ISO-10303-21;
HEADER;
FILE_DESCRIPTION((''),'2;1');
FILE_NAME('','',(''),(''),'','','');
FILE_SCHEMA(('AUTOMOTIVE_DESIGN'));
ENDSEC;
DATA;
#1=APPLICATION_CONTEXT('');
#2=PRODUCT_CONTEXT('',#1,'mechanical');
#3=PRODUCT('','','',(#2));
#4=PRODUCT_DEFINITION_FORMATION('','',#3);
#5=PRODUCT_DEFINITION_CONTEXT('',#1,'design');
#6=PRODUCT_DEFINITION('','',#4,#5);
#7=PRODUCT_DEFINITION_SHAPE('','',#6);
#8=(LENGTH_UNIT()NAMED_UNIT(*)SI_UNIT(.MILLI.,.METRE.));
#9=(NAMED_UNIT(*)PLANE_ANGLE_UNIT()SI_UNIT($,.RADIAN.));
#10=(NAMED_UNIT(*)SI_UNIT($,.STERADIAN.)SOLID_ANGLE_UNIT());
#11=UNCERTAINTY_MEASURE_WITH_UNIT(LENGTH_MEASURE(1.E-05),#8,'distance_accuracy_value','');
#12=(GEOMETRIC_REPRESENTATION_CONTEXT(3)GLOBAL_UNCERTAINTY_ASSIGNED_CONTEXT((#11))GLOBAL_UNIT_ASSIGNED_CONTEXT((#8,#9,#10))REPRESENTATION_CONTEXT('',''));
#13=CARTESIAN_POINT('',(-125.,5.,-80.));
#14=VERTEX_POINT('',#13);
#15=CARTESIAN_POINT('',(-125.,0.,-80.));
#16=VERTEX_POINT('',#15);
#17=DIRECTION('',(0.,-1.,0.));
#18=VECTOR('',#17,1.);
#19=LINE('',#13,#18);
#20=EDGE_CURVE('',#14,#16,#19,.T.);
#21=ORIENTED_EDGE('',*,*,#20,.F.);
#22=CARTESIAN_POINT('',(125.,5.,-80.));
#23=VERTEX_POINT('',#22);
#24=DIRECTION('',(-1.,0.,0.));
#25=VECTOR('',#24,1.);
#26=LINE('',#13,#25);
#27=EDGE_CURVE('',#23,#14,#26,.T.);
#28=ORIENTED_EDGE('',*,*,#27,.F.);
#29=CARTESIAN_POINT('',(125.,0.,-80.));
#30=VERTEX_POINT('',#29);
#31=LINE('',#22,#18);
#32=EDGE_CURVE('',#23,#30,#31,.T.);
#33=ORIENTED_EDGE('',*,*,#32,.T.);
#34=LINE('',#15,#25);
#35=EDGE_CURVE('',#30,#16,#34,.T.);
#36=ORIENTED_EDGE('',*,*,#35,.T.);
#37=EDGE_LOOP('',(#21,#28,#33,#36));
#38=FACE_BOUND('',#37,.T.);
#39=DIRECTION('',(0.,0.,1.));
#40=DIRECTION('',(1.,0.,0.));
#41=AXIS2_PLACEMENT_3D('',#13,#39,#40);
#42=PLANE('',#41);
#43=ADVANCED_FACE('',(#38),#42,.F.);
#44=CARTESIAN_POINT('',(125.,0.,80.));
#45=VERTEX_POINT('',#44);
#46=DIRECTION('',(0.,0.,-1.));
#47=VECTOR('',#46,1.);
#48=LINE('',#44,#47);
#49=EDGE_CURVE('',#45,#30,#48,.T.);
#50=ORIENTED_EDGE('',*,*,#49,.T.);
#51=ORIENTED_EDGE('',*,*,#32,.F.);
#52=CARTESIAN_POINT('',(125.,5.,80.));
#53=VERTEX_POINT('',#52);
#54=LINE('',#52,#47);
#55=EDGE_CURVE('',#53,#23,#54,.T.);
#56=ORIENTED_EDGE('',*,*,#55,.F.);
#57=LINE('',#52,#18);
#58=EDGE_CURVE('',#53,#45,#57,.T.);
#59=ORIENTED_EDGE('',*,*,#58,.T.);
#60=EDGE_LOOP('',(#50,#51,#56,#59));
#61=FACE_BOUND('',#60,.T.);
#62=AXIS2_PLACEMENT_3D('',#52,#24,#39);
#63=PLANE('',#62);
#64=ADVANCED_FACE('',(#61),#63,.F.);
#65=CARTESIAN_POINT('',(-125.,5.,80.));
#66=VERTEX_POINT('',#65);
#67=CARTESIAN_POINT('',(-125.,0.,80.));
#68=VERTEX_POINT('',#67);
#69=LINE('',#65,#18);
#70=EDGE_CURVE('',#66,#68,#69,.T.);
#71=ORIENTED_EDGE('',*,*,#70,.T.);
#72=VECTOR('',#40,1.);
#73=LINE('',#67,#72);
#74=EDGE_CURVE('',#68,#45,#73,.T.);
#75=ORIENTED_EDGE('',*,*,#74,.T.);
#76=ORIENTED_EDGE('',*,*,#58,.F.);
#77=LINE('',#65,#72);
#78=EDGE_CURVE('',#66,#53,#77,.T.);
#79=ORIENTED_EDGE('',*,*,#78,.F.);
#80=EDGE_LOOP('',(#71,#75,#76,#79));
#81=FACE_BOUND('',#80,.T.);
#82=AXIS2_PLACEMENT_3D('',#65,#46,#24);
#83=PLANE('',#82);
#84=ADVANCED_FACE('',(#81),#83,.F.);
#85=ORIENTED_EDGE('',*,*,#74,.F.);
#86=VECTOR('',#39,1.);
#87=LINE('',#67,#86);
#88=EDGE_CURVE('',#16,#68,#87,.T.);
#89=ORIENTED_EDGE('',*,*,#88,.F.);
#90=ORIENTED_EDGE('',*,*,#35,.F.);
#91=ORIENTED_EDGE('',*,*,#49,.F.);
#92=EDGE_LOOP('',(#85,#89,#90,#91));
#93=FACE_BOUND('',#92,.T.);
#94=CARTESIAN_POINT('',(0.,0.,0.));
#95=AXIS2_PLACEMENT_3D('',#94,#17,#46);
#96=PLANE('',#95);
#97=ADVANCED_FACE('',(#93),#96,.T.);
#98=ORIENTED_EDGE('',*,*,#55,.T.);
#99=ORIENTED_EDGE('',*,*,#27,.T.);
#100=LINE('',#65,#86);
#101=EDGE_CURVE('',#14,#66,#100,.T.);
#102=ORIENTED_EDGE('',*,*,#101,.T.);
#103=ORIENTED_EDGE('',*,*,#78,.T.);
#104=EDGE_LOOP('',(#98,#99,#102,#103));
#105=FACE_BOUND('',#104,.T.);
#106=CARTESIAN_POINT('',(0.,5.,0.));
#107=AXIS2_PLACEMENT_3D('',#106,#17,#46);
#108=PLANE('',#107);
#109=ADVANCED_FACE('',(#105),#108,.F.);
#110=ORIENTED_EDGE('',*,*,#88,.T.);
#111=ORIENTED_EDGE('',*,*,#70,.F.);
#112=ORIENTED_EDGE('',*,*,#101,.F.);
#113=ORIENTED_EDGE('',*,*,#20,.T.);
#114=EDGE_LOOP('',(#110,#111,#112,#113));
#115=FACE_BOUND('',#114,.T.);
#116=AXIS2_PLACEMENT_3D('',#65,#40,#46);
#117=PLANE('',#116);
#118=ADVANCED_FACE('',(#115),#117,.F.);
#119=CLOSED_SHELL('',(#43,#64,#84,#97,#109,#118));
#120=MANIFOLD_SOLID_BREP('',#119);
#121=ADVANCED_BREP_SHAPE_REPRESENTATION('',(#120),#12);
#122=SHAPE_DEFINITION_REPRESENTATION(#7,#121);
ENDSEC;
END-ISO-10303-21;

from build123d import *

# Parameters (mm, degrees)
SKETCH_2_W      = 250
SKETCH_2_H      = 160
EXTRUDE_1_DEPTH = 5


with BuildPart() as part:
    # 草图2 → 凸台-拉伸1 (new body)
    with BuildSketch(Plane(origin=(0, 0, 0), x_dir=(1, 0, 0), z_dir=(0, 1, 0))):
        Rectangle(SKETCH_2_W, SKETCH_2_H)
    extrude(amount=EXTRUDE_1_DEPTH)


solid = part.part
